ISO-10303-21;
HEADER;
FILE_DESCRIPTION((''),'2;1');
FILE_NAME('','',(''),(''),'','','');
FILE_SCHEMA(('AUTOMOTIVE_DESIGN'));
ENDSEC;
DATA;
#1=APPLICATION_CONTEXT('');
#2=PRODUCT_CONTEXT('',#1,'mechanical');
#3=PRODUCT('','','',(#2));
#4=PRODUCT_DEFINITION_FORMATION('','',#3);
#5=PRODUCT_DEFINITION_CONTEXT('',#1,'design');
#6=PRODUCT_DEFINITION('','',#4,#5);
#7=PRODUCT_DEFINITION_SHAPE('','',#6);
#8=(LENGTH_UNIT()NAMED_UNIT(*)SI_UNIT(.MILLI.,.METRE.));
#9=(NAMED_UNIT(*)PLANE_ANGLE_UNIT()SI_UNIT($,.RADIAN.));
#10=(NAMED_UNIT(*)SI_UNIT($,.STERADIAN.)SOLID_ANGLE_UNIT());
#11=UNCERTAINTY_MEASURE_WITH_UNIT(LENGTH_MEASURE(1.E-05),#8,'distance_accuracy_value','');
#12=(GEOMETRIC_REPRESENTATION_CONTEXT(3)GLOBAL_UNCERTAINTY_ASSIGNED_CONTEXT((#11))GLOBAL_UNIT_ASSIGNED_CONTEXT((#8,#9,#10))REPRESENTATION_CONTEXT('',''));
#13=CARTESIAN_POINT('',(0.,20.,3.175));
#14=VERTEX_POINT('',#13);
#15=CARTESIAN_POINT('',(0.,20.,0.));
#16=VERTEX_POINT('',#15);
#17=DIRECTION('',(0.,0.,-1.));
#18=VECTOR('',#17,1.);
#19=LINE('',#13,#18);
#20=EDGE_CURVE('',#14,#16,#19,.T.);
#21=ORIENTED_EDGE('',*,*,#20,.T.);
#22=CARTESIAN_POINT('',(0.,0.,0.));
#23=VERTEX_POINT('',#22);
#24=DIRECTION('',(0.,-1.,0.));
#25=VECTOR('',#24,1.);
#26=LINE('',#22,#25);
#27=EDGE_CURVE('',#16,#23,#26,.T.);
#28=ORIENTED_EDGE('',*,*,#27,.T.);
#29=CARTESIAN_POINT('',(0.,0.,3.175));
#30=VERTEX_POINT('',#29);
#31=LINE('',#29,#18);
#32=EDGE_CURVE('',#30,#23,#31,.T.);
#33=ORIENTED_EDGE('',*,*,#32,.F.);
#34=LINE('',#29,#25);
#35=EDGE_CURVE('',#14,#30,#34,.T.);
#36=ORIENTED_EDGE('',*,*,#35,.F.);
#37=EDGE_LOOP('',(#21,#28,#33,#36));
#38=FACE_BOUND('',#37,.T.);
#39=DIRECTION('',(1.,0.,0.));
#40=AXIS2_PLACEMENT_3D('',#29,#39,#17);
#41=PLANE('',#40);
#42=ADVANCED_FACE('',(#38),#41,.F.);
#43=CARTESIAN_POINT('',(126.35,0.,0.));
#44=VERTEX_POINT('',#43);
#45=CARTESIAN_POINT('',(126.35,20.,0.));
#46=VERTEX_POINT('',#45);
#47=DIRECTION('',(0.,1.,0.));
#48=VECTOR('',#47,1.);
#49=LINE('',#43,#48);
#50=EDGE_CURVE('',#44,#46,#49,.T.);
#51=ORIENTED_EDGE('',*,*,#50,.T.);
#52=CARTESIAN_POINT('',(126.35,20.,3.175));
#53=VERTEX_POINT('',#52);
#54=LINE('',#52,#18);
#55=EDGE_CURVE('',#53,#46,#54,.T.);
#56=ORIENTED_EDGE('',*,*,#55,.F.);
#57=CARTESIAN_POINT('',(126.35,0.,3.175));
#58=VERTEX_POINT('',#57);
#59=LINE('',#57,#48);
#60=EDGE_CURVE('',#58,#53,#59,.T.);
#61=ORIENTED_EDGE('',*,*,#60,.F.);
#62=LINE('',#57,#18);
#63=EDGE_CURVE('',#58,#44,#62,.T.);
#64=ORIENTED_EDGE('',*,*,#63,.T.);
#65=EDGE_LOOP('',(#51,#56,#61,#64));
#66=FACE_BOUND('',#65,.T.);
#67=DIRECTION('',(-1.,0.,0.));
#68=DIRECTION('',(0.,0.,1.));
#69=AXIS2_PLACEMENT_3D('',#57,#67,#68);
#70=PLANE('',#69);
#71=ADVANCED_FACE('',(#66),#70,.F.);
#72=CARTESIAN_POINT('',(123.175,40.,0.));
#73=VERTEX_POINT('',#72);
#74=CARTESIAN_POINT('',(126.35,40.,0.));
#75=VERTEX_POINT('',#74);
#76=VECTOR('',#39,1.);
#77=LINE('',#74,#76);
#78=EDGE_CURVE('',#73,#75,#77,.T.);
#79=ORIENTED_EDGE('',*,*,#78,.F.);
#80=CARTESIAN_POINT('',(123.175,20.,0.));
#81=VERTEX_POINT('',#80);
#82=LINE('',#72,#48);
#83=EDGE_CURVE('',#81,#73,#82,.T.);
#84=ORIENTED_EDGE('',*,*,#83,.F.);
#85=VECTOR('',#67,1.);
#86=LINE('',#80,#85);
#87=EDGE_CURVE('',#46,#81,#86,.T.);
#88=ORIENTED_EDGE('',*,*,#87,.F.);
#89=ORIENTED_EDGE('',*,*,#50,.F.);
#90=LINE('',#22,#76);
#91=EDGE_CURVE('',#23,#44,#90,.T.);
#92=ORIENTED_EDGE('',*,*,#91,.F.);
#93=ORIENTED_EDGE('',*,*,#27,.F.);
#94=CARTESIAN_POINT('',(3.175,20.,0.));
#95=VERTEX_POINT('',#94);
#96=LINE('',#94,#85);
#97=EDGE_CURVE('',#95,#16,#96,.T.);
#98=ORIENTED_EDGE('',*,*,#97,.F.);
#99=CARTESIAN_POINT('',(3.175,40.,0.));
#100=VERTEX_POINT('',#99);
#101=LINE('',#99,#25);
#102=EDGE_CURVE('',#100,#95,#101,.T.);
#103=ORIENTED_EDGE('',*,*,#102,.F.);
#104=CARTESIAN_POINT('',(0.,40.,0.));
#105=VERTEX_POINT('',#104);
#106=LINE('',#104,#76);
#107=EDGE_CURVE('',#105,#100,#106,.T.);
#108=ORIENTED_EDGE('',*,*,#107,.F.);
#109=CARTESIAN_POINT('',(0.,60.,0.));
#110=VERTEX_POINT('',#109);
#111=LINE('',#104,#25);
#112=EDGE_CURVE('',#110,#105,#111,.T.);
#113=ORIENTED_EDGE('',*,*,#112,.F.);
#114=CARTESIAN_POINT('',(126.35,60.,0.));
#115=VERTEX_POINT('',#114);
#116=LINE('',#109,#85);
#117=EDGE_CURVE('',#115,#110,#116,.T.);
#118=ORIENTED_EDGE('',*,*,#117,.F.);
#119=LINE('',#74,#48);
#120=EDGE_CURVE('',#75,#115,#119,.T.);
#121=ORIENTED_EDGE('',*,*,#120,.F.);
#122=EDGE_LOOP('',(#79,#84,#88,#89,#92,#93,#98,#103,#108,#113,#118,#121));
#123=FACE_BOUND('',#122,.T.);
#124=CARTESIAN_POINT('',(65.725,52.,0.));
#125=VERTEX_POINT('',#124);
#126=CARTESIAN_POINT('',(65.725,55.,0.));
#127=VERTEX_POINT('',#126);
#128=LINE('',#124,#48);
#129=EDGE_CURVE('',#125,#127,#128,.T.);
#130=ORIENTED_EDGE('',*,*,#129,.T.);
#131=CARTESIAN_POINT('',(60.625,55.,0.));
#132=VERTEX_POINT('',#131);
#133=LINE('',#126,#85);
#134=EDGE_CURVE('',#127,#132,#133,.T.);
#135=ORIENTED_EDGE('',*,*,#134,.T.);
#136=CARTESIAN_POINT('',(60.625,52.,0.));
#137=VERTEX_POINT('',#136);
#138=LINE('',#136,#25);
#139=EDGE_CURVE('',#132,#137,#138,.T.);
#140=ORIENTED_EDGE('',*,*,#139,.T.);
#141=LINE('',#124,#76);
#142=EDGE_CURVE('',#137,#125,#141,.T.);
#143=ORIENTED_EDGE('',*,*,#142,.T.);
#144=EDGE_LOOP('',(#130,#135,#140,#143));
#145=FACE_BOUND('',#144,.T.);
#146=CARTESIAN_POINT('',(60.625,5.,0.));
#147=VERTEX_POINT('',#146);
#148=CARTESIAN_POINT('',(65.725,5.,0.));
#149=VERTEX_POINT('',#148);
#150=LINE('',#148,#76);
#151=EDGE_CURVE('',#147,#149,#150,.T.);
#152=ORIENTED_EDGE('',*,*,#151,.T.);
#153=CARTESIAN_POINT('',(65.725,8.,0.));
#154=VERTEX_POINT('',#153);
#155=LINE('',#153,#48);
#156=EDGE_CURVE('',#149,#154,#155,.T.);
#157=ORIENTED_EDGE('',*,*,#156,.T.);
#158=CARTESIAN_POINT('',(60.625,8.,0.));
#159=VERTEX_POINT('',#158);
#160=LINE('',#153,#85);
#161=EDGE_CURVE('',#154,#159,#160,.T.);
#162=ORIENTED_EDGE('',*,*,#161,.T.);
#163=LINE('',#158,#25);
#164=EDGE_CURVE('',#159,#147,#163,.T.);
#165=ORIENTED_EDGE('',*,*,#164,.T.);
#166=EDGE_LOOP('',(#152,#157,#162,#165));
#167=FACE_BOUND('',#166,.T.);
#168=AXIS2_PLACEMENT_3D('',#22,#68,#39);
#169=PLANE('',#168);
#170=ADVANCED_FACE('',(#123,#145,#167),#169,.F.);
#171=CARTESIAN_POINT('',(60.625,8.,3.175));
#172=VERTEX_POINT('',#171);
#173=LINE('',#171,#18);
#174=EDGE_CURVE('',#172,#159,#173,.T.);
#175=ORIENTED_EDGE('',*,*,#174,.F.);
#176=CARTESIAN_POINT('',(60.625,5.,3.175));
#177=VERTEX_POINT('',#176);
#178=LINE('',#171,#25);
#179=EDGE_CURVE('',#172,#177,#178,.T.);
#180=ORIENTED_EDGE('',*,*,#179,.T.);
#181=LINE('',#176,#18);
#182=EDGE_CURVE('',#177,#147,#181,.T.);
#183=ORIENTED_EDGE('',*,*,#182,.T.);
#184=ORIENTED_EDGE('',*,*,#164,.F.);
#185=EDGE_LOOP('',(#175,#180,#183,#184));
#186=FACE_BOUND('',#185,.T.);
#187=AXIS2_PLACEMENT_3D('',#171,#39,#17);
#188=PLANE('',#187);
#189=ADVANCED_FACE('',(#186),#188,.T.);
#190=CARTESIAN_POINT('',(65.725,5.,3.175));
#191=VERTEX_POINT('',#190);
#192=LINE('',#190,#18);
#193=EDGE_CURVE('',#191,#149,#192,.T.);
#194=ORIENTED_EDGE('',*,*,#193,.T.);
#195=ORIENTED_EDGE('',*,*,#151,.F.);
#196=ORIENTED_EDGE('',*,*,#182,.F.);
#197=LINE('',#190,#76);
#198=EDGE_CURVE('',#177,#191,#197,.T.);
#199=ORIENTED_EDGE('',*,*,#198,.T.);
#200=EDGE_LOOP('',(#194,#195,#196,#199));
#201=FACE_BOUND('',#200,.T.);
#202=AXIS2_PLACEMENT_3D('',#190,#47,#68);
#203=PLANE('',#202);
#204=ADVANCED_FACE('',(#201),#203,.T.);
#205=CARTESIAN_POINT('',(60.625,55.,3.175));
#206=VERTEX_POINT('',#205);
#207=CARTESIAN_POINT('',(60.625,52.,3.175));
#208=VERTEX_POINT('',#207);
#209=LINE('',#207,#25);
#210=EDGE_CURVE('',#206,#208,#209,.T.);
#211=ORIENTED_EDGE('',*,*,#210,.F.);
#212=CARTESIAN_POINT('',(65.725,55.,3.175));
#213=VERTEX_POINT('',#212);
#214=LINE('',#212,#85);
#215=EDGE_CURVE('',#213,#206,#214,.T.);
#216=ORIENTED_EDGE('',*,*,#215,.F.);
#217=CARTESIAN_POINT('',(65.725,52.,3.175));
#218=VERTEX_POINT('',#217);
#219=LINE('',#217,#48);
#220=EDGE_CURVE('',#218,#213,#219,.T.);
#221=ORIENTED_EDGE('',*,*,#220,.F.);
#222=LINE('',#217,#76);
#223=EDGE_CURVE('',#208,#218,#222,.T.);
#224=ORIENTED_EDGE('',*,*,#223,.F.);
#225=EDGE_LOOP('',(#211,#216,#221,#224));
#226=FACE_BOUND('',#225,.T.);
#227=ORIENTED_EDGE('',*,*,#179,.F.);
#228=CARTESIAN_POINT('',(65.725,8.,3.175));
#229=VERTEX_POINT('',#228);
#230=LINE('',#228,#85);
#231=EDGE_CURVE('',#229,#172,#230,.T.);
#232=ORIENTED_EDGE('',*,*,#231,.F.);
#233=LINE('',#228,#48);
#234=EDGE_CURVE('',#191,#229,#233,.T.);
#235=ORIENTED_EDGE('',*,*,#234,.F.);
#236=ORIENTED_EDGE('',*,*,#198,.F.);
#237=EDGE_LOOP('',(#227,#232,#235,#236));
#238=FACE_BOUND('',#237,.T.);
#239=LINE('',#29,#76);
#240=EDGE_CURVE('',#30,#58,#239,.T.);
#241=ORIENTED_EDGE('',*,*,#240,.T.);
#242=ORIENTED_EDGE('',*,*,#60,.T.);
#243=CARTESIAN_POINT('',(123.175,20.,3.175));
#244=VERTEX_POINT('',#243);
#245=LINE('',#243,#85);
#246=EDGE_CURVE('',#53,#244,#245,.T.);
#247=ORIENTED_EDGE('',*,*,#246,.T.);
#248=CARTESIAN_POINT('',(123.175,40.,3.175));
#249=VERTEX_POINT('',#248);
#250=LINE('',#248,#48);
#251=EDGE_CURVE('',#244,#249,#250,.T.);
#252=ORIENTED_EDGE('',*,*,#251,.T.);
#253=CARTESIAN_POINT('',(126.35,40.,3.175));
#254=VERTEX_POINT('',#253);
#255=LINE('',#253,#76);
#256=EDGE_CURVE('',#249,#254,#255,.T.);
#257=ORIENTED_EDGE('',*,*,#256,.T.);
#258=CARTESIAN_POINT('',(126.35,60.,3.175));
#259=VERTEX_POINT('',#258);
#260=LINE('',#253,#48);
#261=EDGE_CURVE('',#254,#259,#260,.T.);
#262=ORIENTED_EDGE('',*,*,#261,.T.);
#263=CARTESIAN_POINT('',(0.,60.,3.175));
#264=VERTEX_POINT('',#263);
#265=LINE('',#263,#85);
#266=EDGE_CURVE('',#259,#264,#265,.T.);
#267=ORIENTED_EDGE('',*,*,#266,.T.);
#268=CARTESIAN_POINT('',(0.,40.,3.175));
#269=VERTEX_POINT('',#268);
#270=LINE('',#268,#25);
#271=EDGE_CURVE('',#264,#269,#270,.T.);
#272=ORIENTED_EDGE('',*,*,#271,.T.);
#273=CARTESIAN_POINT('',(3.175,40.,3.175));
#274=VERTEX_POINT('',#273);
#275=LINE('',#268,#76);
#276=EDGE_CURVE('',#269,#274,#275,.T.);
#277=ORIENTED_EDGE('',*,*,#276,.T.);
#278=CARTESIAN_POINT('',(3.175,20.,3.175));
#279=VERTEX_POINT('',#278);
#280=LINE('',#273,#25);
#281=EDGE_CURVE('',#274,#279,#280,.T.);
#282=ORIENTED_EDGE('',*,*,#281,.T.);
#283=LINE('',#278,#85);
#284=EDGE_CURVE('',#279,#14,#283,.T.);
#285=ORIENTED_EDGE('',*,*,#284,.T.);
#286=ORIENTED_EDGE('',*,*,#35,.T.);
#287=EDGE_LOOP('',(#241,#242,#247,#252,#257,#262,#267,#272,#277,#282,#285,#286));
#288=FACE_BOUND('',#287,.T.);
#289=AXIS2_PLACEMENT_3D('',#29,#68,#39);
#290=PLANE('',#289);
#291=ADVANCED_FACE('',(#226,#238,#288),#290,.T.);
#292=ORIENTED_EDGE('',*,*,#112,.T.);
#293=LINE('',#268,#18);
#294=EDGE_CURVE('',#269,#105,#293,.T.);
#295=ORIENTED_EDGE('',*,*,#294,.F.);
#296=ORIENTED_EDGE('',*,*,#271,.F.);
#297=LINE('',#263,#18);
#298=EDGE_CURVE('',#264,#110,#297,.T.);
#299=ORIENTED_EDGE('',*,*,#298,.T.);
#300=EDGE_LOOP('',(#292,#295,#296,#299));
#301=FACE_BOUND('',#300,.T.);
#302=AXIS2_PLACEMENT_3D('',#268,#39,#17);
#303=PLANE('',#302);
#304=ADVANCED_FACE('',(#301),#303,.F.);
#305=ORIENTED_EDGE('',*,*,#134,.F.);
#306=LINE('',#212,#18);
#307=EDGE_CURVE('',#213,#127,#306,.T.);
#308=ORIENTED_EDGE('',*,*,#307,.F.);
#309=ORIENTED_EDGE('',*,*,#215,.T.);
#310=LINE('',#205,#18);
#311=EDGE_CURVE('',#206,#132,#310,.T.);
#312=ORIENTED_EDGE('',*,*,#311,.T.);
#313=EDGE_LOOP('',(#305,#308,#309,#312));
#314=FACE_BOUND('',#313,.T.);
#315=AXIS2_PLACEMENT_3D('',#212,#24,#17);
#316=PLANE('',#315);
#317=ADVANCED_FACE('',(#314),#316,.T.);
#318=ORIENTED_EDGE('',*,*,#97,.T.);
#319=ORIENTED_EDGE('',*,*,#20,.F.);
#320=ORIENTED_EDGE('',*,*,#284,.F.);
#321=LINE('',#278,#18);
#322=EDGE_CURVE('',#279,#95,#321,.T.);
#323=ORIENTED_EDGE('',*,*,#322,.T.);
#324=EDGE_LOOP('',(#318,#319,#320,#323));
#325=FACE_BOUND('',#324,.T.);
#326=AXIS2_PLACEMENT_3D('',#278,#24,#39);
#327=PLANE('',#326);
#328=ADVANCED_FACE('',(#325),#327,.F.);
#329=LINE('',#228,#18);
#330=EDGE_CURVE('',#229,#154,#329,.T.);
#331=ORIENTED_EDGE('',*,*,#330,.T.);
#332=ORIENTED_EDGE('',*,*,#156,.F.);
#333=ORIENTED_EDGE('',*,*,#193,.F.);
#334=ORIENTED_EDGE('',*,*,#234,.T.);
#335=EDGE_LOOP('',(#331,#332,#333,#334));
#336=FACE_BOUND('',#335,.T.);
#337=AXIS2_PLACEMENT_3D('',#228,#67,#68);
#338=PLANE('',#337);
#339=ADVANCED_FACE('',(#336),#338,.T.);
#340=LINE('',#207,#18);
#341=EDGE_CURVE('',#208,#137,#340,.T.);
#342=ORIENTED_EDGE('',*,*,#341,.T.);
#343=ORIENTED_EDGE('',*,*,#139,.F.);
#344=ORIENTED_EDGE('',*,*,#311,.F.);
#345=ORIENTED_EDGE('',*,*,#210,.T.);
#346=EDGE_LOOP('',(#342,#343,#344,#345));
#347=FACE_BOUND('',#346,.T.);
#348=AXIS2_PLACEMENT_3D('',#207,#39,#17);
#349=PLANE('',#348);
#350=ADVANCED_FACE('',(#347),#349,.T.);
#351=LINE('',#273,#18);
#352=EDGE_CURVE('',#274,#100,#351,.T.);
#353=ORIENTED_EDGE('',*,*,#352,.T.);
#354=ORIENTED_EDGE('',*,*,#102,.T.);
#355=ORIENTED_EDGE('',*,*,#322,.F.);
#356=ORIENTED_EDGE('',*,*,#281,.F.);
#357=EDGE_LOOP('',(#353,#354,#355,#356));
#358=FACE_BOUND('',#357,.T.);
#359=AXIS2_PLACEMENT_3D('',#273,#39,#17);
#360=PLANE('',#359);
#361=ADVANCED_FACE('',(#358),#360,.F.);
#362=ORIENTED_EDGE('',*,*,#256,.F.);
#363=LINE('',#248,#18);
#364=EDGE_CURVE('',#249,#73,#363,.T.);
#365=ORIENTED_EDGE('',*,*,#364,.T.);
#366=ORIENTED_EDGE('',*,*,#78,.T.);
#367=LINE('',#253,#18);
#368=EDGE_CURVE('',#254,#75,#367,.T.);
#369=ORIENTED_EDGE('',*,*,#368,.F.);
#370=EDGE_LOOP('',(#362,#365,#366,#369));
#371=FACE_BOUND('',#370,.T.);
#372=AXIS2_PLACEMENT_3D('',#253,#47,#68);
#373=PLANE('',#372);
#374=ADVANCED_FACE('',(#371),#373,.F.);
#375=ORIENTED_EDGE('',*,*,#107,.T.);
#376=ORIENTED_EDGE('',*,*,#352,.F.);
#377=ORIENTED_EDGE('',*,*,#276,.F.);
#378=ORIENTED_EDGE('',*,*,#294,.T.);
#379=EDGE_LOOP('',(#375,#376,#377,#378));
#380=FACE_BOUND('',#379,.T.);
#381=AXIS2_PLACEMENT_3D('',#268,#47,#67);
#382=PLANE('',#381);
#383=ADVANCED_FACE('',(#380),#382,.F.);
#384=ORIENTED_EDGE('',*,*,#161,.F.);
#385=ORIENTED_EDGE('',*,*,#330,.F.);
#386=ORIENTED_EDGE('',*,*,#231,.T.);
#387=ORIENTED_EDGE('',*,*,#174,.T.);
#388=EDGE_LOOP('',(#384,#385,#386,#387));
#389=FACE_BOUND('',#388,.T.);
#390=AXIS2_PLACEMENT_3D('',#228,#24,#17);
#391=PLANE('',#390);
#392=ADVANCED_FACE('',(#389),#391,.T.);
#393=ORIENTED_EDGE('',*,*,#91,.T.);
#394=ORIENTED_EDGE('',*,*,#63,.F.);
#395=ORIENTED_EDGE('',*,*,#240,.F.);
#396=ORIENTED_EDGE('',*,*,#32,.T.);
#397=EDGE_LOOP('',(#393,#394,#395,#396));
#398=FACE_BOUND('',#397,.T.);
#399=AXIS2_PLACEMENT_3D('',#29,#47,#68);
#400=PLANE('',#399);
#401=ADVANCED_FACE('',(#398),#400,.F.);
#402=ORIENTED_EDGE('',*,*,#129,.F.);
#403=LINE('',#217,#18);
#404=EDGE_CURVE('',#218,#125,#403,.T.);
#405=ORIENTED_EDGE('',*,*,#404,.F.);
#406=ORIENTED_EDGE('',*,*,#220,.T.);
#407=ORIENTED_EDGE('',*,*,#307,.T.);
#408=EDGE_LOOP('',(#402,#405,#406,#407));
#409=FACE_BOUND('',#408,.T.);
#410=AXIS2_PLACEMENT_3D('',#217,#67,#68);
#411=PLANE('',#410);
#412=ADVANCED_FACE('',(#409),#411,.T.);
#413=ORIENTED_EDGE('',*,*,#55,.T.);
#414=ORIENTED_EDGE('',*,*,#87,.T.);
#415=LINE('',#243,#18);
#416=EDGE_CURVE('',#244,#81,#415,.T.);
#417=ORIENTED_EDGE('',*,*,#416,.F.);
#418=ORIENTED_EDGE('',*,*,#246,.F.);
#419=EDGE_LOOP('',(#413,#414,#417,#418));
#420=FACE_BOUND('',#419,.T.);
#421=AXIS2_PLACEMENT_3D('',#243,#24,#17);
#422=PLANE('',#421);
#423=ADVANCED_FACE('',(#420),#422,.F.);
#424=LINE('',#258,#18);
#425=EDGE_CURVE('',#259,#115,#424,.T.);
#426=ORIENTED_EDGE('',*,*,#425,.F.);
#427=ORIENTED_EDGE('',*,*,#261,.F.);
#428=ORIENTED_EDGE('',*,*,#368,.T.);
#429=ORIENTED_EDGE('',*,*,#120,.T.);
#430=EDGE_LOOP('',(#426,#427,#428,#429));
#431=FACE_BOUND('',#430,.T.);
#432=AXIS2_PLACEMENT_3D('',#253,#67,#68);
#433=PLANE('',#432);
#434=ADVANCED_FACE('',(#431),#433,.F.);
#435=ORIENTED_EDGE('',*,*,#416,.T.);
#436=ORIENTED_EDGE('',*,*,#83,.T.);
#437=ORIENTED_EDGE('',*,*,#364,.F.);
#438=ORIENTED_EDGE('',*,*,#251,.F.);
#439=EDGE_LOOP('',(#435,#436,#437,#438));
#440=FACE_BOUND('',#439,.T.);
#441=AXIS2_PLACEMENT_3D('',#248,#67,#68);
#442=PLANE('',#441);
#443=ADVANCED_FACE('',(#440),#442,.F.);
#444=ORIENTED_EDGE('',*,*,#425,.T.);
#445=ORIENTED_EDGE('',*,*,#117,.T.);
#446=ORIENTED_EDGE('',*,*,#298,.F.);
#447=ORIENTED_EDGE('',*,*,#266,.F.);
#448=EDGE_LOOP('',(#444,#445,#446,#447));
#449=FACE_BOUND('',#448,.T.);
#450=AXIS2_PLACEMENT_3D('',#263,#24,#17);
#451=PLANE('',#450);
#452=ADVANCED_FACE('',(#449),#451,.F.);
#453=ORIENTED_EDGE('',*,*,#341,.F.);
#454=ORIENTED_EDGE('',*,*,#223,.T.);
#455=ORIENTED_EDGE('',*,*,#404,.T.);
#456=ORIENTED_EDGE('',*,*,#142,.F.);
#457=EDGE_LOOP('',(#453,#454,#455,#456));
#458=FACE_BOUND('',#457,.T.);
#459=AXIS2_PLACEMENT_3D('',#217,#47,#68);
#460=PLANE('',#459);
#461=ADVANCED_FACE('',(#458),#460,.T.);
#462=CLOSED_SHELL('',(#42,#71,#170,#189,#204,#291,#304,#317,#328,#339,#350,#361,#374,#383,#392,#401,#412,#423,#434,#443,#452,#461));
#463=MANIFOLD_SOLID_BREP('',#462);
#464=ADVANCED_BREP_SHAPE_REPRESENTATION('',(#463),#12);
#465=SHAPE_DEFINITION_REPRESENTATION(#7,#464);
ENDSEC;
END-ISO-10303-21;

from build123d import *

# Parameters (mm, degrees)
SKETCH1_W           = 5.1
SKETCH1_H           = 3
BOSS_EXTRUDE1_DEPTH = 3.175


with BuildPart() as part:
    # Sketch1 → Boss-Extrude1 (new body)
    with BuildSketch(Plane.XY):
        Polygon((0, 40), (3.175, 40), (3.175, 20), (0, 20), (0, 0), (126.35, 0), (126.35, 20), (123.175, 20), (123.175, 40), (126.35, 40), (126.35, 60), (0, 60), align=None)
        with Locations((63.175, 6.5)):
            Rectangle(SKETCH1_W, SKETCH1_H, mode=Mode.SUBTRACT)
        with Locations((63.175, 53.5)):
            Rectangle(SKETCH1_W, SKETCH1_H, mode=Mode.SUBTRACT)
    extrude(amount=BOSS_EXTRUDE1_DEPTH)


solid = part.part
